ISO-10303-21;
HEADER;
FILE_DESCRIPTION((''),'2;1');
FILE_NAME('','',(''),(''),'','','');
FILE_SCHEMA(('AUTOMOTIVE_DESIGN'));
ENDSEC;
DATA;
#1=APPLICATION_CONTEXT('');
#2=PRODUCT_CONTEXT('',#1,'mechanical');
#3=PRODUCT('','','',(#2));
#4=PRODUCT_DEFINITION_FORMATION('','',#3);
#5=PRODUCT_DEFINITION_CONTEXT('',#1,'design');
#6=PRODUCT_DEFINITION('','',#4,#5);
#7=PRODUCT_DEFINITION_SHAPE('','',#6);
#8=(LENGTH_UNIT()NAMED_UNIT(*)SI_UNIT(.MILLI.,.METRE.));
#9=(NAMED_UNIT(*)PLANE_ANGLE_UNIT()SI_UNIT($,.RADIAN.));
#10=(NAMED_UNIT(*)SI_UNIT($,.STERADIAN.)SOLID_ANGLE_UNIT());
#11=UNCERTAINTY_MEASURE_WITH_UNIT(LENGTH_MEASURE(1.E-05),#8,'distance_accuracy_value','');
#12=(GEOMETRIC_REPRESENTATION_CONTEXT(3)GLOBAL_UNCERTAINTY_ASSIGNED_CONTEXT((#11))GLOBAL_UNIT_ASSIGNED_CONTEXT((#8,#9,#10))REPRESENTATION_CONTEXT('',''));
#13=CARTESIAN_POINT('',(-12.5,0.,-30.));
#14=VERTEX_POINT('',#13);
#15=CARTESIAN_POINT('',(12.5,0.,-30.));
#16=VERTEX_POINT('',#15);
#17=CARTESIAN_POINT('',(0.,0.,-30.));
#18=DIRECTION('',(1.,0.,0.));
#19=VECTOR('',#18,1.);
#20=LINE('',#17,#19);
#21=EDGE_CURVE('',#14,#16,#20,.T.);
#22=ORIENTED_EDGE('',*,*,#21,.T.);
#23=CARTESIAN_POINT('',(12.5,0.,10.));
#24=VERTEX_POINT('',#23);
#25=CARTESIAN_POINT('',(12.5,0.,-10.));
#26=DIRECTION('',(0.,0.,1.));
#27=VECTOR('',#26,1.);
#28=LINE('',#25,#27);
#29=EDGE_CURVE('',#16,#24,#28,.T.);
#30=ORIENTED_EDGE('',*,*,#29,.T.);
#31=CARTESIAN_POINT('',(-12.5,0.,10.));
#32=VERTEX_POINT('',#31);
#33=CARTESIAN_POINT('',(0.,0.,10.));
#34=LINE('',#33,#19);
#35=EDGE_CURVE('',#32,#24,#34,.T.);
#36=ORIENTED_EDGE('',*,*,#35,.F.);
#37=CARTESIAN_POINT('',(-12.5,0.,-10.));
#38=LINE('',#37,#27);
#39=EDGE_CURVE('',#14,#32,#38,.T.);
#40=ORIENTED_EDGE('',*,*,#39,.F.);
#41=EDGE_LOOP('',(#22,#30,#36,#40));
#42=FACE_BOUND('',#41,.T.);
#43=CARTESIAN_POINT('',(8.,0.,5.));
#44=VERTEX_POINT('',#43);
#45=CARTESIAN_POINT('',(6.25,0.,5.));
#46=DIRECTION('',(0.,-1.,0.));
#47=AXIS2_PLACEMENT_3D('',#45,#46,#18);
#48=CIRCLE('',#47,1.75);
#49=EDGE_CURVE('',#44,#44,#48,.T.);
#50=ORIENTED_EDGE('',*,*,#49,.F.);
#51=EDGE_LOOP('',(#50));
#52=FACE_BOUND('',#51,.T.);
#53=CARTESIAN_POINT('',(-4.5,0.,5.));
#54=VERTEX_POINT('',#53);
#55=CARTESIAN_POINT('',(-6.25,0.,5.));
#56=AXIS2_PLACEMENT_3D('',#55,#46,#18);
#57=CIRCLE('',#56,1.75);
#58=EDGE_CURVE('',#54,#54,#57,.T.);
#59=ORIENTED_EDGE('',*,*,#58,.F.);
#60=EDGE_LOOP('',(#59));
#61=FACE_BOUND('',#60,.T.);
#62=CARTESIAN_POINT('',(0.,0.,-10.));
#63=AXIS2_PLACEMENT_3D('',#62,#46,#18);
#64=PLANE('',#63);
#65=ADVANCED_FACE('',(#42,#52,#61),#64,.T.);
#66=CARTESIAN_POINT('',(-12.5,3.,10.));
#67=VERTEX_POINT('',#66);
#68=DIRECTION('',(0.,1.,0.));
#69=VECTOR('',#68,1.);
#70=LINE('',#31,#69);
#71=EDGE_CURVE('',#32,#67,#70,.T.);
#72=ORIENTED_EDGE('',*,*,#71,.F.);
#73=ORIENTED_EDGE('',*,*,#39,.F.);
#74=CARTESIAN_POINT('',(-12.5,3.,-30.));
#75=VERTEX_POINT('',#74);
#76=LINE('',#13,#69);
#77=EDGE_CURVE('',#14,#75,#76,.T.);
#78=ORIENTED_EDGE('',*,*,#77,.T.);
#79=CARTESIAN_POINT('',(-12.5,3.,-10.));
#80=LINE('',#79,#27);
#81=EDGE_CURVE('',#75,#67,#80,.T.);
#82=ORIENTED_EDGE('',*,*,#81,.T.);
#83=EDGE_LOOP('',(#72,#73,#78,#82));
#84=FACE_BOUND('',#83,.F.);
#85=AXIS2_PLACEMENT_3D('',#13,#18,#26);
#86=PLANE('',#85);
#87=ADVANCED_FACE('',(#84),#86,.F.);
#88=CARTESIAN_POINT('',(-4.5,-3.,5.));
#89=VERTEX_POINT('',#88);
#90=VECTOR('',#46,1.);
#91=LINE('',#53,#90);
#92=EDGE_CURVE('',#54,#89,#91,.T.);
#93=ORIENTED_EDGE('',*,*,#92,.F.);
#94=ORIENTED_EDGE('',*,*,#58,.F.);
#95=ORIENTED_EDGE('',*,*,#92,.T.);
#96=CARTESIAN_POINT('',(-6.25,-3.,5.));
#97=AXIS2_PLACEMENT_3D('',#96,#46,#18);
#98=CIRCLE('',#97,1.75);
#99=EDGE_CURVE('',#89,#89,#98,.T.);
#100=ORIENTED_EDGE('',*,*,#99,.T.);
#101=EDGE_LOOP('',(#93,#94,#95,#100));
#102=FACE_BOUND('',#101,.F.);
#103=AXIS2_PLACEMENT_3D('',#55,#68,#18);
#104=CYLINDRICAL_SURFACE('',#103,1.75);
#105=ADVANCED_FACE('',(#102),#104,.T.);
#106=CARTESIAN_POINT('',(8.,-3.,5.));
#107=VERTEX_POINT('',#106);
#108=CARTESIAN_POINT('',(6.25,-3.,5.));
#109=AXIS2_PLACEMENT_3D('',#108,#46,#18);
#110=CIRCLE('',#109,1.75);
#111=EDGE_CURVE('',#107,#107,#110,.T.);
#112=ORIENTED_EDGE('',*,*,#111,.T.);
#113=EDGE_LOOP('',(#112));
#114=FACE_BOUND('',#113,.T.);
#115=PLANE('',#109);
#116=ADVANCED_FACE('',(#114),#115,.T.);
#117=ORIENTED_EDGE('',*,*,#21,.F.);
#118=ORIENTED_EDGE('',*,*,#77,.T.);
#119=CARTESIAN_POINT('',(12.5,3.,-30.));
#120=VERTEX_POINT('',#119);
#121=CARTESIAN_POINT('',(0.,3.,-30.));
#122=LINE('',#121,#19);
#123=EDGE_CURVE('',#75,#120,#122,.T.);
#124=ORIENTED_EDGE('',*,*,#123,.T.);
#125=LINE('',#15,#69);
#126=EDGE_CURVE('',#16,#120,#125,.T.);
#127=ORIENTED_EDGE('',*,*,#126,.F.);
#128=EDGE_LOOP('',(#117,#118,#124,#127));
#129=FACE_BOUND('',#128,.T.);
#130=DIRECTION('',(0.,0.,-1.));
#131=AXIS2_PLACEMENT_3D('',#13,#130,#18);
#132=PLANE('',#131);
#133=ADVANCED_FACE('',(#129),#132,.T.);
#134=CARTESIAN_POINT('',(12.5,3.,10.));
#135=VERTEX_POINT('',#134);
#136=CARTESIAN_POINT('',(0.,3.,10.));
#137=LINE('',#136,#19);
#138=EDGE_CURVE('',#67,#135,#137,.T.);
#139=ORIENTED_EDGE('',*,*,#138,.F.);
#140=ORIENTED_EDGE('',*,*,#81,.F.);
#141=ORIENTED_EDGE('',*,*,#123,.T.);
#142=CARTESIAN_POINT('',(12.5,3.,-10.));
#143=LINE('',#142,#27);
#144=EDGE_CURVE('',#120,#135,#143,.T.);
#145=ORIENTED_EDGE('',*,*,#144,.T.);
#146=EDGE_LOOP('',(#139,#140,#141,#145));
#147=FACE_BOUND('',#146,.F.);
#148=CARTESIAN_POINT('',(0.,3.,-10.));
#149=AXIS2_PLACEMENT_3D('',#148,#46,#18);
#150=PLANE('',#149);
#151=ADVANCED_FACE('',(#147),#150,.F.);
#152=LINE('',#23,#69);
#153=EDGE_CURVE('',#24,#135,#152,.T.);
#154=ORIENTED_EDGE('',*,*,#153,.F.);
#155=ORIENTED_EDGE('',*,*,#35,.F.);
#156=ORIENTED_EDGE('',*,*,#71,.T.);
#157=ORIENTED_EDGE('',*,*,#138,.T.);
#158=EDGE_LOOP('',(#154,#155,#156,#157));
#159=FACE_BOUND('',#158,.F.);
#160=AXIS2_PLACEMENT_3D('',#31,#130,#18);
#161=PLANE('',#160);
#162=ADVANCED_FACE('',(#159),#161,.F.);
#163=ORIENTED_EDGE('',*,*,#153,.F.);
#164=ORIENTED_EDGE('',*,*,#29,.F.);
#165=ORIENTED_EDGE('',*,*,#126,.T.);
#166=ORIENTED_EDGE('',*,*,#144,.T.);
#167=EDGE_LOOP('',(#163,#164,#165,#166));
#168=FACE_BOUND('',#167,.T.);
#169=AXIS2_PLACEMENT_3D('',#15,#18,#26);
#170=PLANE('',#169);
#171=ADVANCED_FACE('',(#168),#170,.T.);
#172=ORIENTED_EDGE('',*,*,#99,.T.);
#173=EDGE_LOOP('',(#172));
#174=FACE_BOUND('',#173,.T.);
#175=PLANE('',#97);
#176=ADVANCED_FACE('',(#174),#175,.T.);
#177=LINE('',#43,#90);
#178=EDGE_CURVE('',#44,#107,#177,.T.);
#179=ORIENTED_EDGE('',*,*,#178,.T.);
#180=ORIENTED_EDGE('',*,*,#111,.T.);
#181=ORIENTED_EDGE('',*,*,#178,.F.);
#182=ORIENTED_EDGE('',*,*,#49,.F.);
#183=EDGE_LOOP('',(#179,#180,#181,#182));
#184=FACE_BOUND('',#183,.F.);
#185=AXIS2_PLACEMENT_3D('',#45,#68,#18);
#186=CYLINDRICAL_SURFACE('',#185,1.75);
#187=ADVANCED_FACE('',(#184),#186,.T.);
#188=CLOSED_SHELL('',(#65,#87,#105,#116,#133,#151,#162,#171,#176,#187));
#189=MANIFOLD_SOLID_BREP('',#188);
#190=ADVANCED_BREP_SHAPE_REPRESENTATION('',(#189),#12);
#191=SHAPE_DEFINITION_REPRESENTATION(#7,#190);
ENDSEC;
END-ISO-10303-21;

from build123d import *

# Parameters (mm, degrees)
F0_W     = 25
F0_H     = 40
F0_R     = 1.75
F1_DEPTH = 3
F2_DEPTH = 3


with BuildPart() as f1:
    # F0 (on Front) → F1 (new body)
    with BuildSketch(Plane.XZ):
        with Locations((0, -10)):
            Rectangle(F0_W, F0_H)
        with Locations((-6.25, 5)):
            Circle(F0_R, mode=Mode.SUBTRACT)
        with Locations((6.25, 5)):
            Circle(F0_R, mode=Mode.SUBTRACT)
        with Locations((-6.25, 5)):
            Circle(F0_R)
        with Locations((6.25, 5)):
            Circle(F0_R)
    extrude(amount=-F1_DEPTH)

    # F0 (on Front) → F2 (join)
    with BuildSketch(Plane.XZ):
        with Locations((-6.25, 5)):
            Circle(F0_R)
        with Locations((6.25, 5)):
            Circle(F0_R)
    extrude(amount=F2_DEPTH)


solid = f1.part
